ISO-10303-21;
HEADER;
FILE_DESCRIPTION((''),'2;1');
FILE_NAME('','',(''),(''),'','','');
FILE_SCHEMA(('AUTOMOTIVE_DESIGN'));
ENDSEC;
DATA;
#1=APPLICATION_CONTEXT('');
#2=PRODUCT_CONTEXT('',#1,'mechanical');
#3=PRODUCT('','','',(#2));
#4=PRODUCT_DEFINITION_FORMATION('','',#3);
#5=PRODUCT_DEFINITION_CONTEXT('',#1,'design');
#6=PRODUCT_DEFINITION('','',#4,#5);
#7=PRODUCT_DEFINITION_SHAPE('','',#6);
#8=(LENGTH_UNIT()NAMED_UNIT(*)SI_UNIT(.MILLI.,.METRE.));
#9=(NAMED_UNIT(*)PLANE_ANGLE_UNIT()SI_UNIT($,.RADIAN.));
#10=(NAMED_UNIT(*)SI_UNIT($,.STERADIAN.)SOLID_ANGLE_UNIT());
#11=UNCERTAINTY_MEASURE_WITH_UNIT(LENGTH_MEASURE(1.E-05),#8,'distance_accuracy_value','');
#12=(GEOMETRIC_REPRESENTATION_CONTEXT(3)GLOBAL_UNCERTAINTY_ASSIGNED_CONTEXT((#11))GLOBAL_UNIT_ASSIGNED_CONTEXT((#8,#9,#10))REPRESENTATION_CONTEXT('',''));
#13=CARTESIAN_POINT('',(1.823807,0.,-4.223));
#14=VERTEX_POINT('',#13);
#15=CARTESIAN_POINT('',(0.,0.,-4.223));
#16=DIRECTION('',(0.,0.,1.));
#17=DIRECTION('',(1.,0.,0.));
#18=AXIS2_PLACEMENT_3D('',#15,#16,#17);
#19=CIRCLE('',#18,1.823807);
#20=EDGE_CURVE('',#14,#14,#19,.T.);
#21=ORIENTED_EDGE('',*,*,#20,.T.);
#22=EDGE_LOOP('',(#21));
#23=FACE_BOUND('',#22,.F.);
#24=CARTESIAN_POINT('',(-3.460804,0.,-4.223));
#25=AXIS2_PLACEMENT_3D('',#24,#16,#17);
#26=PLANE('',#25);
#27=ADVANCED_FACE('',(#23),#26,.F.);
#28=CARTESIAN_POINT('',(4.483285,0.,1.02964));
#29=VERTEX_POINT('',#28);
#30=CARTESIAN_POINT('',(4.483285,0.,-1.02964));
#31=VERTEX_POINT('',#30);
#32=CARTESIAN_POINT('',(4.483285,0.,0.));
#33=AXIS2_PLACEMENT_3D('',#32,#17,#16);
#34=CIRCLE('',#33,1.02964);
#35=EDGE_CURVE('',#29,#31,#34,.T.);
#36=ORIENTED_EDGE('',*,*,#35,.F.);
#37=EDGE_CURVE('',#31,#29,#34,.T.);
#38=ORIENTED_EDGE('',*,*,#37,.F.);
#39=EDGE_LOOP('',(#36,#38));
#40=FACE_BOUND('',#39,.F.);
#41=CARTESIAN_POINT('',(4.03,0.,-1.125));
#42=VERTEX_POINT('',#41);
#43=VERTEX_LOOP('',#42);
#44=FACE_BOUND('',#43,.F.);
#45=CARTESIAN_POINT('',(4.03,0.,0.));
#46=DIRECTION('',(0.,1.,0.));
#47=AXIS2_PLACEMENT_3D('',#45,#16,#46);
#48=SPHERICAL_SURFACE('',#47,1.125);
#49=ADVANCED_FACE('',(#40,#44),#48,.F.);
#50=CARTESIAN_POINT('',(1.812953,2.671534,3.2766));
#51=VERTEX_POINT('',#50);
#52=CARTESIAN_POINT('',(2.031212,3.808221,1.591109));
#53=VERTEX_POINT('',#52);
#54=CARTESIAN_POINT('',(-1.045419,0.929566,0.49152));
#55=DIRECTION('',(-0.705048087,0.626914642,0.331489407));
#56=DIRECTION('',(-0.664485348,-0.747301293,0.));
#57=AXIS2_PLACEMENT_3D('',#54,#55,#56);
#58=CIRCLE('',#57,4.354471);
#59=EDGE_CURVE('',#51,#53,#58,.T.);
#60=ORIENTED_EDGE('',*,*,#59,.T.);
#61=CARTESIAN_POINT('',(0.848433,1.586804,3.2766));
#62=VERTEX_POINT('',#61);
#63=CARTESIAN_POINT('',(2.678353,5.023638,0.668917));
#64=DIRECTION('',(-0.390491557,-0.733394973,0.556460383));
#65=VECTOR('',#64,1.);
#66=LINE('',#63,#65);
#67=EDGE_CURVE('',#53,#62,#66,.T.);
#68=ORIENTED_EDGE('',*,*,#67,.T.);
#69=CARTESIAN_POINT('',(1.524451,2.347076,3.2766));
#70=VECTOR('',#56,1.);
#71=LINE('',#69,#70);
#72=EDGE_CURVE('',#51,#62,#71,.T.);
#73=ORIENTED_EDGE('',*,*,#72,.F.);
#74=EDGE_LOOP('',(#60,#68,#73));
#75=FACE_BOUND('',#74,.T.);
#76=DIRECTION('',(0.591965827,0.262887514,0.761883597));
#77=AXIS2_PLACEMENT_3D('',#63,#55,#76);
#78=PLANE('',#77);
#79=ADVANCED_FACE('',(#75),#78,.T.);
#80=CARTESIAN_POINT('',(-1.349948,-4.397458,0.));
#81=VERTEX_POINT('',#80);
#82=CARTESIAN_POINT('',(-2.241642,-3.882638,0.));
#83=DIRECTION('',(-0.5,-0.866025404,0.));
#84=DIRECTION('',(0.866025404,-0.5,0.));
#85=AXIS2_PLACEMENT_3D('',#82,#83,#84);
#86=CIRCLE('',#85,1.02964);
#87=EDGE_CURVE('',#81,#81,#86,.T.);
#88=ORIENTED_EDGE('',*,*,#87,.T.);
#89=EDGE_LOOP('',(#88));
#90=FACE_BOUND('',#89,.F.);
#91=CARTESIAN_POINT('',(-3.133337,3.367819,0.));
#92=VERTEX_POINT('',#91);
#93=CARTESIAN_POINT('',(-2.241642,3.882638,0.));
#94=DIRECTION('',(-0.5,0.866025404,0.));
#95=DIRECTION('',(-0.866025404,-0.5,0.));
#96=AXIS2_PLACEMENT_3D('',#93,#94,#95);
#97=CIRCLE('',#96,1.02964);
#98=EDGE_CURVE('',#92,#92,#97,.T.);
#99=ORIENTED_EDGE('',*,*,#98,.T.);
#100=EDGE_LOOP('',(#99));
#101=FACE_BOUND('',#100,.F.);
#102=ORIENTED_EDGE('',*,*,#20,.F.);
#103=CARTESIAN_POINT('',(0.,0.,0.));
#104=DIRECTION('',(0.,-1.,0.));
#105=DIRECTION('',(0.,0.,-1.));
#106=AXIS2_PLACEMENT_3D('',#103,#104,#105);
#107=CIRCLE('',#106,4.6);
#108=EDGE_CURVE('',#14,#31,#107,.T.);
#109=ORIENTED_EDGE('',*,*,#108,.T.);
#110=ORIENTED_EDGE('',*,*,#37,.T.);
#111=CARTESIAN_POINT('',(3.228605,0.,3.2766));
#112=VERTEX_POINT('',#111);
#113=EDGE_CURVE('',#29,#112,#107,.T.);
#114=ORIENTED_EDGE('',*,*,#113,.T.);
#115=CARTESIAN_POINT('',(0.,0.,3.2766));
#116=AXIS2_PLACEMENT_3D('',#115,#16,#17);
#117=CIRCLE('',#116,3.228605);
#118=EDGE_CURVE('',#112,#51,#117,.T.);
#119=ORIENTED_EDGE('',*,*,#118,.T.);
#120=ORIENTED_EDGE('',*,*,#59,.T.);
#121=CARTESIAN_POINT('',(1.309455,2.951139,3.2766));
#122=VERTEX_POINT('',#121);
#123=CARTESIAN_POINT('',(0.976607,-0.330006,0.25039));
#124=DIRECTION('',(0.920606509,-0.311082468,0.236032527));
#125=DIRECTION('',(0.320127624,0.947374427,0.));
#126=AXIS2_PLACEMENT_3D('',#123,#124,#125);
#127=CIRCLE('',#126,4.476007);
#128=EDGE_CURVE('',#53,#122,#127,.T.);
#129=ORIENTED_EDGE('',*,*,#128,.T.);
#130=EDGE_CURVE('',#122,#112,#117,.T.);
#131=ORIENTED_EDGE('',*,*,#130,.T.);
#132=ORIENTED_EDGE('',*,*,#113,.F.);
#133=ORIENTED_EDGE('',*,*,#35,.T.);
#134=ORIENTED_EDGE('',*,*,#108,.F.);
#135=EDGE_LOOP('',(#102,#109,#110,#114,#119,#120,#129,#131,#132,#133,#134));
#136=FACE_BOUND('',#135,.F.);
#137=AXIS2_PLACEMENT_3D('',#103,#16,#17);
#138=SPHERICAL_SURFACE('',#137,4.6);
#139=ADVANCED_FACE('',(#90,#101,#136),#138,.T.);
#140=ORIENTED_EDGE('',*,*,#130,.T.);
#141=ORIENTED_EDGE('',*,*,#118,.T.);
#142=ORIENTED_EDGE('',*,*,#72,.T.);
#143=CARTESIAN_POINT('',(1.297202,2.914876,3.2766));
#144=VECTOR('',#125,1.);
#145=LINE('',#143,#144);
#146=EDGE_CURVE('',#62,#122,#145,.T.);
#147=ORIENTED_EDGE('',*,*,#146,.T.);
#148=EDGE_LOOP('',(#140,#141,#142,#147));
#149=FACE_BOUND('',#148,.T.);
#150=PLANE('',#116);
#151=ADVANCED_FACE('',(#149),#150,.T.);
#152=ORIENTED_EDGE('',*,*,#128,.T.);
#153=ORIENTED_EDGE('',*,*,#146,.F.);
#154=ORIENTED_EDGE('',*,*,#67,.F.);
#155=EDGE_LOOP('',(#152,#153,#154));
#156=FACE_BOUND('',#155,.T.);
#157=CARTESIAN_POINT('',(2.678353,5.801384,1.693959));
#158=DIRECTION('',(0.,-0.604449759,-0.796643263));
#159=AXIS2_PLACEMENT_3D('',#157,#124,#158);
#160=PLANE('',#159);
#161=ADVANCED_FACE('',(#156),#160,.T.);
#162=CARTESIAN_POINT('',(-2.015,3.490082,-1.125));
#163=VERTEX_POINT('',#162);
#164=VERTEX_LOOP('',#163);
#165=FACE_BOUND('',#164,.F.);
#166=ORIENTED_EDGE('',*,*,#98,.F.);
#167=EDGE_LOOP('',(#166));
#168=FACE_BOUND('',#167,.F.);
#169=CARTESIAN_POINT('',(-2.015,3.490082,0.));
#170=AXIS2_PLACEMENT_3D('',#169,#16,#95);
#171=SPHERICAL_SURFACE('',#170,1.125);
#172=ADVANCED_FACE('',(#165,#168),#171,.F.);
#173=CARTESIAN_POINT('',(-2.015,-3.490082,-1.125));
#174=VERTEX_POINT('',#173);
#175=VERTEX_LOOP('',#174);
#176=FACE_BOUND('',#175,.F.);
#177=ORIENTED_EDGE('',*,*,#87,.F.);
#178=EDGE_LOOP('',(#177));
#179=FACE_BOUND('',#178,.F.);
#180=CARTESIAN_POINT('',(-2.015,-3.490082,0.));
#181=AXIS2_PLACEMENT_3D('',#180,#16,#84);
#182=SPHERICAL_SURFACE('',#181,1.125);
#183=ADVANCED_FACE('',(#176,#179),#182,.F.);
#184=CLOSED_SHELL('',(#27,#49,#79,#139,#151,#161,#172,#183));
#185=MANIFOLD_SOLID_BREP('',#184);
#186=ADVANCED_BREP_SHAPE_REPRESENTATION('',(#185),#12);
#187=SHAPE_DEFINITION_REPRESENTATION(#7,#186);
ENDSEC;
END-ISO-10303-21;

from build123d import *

# Parameters (mm, degrees)
F4_R      = 3.25
F6_DEPTH  = 25.4
F5_R      = 13.27112349
F7_DEPTH  = 25.4
F31_DEPTH = 18.5


with BuildPart() as f1:
    # F0 (on Front) → F1 (revolve)
    with BuildSketch(Plane.XZ):
        with BuildLine():
            Line((0, 4.6), (0, -4.6))
            ThreePointArc((0, -4.6), (4.6, 0), (0, 4.6))
        make_face()
    revolve(axis=Axis((0, 0, 0), (0, 0, -1)))

    # F4 (on offset) → F6 (cut)
    with BuildSketch(Plane.XY.offset(3.2766)):
        Circle(F4_R)
    extrude(amount=F6_DEPTH, mode=Mode.SUBTRACT)

    # F5 (on offset) → F7 (cut)
    with BuildSketch(Plane.XY.offset(-4.223)):
        with Locations((-3.4608042333, 0)):
            Circle(F5_R)
    extrude(amount=-F7_DEPTH, mode=Mode.SUBTRACT)

    # F14 (on offset) → F15 (revolve, cut)
    with BuildSketch(Plane.YZ.offset(4.03)):
        with BuildLine():
            Line((0, 1.125), (0, 0))
            Line((0, 0), (0, -1.125))
            ThreePointArc((0, -1.125), (1.125, 0), (0, 1.125))
        make_face()
    revolve(axis=Axis((4.03, 0, 0), (0, 0, 1)), mode=Mode.SUBTRACT)

    # F18 (on offset) → F19 (revolve, cut)
    with BuildSketch(Plane(origin=(-2.015, 3.4900823773, 0), x_dir=(-0.8660254038, -0.5, 0), z_dir=(-0.5, 0.8660254038, 0))):
        with BuildLine():
            Line((0, 1.125), (0, 0))
            Line((0, 0), (0, -1.125))
            ThreePointArc((0, -1.125), (1.125, 0), (0, 1.125))
        make_face()
    revolve(axis=Axis((-2.015, 3.4900823773, 0), (0, 0, 1)), mode=Mode.SUBTRACT)

    # F22 (on offset) → F23 (revolve, cut)
    with BuildSketch(Plane(origin=(-2.015, -3.4900823773, 0), x_dir=(0.8660254038, -0.5, 0), z_dir=(-0.5, -0.8660254038, 0))):
        with BuildLine():
            Line((0, 1.125), (0, 0))
            Line((0, 0), (0, -1.125))
            ThreePointArc((0, -1.125), (1.125, 0), (0, 1.125))
        make_face()
    revolve(axis=Axis((-2.015, -3.4900823773, 0), (0, 0, 1)), mode=Mode.SUBTRACT)

    # F30 (on line) → F31 (cut)
    with BuildSketch(Plane(origin=(1.7017461736, 3.1961051858, -2.4250315045), x_dir=(0.9206065089, -0.3110824678, 0.2360325274), z_dir=(-0.3904915566, -0.7333949731, 0.5564603828))):
        Polygon((1.0608299635, 3.5694248509), (1.8751677126, 4.5393242035), (1.0608299635, 4.8561265068), align=None)
    extrude(amount=F31_DEPTH, mode=Mode.SUBTRACT)


solid = f1.part
